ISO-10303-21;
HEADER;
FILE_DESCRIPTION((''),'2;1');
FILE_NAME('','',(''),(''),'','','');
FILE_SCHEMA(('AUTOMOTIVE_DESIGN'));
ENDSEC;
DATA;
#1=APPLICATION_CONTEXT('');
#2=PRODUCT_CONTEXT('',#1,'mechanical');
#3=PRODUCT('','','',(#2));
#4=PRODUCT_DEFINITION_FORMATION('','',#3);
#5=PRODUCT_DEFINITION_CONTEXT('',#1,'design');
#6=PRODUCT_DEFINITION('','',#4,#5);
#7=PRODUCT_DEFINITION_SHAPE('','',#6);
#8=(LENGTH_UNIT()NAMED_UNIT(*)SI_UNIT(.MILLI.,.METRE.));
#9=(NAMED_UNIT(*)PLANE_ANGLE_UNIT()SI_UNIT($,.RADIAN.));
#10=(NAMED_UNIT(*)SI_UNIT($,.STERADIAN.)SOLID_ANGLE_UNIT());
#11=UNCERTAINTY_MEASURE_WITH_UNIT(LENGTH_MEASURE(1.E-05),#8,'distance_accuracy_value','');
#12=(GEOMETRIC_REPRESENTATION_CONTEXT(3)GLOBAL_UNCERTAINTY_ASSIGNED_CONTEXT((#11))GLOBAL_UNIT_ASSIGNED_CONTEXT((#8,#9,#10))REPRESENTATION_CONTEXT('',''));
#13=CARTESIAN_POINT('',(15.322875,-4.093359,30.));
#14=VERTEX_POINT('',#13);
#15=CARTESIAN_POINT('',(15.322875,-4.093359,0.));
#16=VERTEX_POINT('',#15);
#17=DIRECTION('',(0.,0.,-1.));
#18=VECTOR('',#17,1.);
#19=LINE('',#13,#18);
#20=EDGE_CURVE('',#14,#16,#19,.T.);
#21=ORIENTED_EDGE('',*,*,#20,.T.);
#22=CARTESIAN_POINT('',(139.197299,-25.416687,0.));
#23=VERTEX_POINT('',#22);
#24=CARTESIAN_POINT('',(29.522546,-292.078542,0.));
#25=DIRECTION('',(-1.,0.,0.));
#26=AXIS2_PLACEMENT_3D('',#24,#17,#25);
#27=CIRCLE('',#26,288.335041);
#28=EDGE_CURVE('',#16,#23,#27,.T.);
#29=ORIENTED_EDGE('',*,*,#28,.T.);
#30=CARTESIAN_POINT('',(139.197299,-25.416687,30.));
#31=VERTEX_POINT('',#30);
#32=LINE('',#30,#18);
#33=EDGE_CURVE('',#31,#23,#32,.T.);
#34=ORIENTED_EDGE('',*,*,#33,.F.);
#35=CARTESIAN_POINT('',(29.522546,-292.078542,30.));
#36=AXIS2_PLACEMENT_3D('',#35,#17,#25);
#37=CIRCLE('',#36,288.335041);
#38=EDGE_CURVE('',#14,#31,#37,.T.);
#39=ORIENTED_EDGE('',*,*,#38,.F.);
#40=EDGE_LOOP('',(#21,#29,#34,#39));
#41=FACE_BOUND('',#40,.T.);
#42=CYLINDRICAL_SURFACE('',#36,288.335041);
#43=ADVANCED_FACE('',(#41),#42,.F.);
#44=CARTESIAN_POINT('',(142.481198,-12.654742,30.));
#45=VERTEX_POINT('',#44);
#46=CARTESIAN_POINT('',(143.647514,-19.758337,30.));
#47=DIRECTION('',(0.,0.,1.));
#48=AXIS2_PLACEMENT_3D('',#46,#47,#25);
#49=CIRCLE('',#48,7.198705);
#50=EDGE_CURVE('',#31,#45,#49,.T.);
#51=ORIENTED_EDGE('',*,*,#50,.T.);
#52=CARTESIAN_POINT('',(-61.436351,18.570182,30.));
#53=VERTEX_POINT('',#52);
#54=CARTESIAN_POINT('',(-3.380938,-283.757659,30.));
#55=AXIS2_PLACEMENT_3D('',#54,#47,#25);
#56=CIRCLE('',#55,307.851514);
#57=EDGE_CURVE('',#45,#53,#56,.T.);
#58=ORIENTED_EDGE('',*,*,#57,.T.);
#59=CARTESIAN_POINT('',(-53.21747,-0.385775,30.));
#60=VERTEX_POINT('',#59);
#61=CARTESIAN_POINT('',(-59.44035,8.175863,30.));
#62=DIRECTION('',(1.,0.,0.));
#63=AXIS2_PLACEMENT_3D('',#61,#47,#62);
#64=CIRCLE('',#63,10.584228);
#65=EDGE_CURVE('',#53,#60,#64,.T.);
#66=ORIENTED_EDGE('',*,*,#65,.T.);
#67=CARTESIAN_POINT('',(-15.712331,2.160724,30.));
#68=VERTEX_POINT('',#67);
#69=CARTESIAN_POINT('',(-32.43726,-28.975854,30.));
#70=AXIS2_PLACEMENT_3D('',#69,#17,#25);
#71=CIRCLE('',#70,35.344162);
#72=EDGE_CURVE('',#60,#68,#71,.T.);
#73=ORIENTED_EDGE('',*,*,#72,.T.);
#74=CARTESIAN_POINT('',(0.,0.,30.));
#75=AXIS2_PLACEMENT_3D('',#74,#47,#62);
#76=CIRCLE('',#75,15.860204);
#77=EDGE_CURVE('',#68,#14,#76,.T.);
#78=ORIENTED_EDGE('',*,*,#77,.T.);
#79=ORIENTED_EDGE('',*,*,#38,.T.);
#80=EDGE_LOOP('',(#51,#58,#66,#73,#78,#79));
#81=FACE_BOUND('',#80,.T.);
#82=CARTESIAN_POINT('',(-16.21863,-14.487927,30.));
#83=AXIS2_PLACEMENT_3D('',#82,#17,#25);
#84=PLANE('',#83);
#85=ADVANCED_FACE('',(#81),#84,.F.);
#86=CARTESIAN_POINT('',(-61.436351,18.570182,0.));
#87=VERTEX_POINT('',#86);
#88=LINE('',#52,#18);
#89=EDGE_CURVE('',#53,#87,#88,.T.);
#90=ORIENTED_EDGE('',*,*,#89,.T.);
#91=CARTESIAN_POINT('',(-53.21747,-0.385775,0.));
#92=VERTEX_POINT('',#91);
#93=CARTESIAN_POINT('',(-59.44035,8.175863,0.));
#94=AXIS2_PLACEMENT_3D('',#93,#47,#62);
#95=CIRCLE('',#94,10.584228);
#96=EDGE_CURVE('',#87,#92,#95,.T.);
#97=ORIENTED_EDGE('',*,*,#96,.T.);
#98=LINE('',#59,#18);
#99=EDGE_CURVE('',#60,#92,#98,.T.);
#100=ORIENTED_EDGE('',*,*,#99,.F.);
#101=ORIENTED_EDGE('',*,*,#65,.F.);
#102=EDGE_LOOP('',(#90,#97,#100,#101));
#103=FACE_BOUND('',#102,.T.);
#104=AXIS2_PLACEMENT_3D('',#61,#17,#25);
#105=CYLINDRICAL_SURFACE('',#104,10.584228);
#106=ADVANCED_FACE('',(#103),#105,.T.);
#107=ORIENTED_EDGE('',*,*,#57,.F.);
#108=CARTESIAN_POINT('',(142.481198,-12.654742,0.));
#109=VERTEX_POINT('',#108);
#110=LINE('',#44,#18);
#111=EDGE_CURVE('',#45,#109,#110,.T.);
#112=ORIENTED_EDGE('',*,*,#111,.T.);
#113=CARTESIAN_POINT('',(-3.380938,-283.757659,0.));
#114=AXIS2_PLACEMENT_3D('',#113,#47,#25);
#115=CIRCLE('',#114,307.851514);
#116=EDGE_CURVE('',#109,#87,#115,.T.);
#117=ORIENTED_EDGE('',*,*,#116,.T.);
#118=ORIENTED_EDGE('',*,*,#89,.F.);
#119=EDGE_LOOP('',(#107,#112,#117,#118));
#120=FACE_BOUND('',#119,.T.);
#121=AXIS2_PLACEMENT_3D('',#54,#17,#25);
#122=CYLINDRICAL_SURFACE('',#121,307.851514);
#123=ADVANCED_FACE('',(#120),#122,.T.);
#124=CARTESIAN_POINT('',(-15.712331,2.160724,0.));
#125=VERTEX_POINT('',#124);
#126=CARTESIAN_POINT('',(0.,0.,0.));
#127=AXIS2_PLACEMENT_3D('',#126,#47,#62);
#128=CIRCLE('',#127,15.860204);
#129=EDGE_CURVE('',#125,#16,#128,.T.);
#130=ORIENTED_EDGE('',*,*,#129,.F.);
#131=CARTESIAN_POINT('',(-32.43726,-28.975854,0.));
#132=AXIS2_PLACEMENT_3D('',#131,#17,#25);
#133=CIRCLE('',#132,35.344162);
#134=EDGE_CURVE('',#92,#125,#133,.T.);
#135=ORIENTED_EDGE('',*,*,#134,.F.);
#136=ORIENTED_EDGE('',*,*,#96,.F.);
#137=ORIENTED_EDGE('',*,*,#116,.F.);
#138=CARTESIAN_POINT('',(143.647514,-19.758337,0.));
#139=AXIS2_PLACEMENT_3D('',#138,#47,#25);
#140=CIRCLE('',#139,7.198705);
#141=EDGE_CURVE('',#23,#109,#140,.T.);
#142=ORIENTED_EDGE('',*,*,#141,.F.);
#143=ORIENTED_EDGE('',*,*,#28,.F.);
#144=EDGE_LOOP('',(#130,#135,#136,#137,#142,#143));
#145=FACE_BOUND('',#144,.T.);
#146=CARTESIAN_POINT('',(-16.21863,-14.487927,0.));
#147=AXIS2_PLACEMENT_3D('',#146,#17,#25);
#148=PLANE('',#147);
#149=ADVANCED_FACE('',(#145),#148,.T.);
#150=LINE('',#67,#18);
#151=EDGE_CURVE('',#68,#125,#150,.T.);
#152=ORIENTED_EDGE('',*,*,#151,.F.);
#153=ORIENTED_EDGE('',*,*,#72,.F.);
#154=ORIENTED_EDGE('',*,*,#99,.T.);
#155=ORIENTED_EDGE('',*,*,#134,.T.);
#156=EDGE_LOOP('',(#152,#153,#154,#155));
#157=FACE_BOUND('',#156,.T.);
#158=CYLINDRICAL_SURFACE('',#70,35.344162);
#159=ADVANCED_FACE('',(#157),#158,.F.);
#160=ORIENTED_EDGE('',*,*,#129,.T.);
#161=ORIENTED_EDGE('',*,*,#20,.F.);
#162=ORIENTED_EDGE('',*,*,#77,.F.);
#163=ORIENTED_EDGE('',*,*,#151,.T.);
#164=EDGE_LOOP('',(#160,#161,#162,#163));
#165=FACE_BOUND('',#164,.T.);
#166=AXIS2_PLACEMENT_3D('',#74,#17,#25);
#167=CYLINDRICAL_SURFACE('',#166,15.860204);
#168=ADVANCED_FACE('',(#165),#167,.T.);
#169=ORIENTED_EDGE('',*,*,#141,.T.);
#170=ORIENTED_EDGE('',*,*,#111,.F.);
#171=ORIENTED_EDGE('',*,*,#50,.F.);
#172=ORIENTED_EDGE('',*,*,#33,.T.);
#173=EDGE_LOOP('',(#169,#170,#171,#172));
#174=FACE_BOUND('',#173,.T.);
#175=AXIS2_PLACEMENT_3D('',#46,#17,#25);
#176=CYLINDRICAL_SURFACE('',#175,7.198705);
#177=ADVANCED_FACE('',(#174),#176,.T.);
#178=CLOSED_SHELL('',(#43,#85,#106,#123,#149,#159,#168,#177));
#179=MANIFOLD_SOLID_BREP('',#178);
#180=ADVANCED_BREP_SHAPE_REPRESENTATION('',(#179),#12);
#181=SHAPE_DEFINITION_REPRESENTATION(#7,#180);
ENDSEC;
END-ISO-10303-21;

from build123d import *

# Parameters (mm, degrees)
EXTRUDE_1_DEPTH = 30


with BuildPart() as part:
    # 草图1 → 凸台-拉伸1 (new body)
    with BuildSketch(Plane.XY):
        with BuildLine():
            ThreePointArc((-15.712331266, 2.160724411), (-3.13309904, -15.547661374), (15.322874863, -4.093359222))
            ThreePointArc((15.322874863, -4.093359222), (78.436182954, -7.922682958), (139.19729869, -25.416687445))
            ThreePointArc((139.19729869, -25.416687445), (150.619110519, -21.552265679), (142.48119841, -12.654742004))
            ThreePointArc((142.48119841, -12.654742004), (43.215780263, 20.546958672), (-61.436350738, 18.570182304))
            ThreePointArc((-61.436350738, 18.570182304), (-69.151102392, 3.965497782), (-53.217470305, -0.385774624))
            ThreePointArc((-53.217470305, -0.385774624), (-34.831522248, 6.287119165), (-15.712331266, 2.160724411))
        make_face()
    extrude(amount=EXTRUDE_1_DEPTH)


solid = part.part
